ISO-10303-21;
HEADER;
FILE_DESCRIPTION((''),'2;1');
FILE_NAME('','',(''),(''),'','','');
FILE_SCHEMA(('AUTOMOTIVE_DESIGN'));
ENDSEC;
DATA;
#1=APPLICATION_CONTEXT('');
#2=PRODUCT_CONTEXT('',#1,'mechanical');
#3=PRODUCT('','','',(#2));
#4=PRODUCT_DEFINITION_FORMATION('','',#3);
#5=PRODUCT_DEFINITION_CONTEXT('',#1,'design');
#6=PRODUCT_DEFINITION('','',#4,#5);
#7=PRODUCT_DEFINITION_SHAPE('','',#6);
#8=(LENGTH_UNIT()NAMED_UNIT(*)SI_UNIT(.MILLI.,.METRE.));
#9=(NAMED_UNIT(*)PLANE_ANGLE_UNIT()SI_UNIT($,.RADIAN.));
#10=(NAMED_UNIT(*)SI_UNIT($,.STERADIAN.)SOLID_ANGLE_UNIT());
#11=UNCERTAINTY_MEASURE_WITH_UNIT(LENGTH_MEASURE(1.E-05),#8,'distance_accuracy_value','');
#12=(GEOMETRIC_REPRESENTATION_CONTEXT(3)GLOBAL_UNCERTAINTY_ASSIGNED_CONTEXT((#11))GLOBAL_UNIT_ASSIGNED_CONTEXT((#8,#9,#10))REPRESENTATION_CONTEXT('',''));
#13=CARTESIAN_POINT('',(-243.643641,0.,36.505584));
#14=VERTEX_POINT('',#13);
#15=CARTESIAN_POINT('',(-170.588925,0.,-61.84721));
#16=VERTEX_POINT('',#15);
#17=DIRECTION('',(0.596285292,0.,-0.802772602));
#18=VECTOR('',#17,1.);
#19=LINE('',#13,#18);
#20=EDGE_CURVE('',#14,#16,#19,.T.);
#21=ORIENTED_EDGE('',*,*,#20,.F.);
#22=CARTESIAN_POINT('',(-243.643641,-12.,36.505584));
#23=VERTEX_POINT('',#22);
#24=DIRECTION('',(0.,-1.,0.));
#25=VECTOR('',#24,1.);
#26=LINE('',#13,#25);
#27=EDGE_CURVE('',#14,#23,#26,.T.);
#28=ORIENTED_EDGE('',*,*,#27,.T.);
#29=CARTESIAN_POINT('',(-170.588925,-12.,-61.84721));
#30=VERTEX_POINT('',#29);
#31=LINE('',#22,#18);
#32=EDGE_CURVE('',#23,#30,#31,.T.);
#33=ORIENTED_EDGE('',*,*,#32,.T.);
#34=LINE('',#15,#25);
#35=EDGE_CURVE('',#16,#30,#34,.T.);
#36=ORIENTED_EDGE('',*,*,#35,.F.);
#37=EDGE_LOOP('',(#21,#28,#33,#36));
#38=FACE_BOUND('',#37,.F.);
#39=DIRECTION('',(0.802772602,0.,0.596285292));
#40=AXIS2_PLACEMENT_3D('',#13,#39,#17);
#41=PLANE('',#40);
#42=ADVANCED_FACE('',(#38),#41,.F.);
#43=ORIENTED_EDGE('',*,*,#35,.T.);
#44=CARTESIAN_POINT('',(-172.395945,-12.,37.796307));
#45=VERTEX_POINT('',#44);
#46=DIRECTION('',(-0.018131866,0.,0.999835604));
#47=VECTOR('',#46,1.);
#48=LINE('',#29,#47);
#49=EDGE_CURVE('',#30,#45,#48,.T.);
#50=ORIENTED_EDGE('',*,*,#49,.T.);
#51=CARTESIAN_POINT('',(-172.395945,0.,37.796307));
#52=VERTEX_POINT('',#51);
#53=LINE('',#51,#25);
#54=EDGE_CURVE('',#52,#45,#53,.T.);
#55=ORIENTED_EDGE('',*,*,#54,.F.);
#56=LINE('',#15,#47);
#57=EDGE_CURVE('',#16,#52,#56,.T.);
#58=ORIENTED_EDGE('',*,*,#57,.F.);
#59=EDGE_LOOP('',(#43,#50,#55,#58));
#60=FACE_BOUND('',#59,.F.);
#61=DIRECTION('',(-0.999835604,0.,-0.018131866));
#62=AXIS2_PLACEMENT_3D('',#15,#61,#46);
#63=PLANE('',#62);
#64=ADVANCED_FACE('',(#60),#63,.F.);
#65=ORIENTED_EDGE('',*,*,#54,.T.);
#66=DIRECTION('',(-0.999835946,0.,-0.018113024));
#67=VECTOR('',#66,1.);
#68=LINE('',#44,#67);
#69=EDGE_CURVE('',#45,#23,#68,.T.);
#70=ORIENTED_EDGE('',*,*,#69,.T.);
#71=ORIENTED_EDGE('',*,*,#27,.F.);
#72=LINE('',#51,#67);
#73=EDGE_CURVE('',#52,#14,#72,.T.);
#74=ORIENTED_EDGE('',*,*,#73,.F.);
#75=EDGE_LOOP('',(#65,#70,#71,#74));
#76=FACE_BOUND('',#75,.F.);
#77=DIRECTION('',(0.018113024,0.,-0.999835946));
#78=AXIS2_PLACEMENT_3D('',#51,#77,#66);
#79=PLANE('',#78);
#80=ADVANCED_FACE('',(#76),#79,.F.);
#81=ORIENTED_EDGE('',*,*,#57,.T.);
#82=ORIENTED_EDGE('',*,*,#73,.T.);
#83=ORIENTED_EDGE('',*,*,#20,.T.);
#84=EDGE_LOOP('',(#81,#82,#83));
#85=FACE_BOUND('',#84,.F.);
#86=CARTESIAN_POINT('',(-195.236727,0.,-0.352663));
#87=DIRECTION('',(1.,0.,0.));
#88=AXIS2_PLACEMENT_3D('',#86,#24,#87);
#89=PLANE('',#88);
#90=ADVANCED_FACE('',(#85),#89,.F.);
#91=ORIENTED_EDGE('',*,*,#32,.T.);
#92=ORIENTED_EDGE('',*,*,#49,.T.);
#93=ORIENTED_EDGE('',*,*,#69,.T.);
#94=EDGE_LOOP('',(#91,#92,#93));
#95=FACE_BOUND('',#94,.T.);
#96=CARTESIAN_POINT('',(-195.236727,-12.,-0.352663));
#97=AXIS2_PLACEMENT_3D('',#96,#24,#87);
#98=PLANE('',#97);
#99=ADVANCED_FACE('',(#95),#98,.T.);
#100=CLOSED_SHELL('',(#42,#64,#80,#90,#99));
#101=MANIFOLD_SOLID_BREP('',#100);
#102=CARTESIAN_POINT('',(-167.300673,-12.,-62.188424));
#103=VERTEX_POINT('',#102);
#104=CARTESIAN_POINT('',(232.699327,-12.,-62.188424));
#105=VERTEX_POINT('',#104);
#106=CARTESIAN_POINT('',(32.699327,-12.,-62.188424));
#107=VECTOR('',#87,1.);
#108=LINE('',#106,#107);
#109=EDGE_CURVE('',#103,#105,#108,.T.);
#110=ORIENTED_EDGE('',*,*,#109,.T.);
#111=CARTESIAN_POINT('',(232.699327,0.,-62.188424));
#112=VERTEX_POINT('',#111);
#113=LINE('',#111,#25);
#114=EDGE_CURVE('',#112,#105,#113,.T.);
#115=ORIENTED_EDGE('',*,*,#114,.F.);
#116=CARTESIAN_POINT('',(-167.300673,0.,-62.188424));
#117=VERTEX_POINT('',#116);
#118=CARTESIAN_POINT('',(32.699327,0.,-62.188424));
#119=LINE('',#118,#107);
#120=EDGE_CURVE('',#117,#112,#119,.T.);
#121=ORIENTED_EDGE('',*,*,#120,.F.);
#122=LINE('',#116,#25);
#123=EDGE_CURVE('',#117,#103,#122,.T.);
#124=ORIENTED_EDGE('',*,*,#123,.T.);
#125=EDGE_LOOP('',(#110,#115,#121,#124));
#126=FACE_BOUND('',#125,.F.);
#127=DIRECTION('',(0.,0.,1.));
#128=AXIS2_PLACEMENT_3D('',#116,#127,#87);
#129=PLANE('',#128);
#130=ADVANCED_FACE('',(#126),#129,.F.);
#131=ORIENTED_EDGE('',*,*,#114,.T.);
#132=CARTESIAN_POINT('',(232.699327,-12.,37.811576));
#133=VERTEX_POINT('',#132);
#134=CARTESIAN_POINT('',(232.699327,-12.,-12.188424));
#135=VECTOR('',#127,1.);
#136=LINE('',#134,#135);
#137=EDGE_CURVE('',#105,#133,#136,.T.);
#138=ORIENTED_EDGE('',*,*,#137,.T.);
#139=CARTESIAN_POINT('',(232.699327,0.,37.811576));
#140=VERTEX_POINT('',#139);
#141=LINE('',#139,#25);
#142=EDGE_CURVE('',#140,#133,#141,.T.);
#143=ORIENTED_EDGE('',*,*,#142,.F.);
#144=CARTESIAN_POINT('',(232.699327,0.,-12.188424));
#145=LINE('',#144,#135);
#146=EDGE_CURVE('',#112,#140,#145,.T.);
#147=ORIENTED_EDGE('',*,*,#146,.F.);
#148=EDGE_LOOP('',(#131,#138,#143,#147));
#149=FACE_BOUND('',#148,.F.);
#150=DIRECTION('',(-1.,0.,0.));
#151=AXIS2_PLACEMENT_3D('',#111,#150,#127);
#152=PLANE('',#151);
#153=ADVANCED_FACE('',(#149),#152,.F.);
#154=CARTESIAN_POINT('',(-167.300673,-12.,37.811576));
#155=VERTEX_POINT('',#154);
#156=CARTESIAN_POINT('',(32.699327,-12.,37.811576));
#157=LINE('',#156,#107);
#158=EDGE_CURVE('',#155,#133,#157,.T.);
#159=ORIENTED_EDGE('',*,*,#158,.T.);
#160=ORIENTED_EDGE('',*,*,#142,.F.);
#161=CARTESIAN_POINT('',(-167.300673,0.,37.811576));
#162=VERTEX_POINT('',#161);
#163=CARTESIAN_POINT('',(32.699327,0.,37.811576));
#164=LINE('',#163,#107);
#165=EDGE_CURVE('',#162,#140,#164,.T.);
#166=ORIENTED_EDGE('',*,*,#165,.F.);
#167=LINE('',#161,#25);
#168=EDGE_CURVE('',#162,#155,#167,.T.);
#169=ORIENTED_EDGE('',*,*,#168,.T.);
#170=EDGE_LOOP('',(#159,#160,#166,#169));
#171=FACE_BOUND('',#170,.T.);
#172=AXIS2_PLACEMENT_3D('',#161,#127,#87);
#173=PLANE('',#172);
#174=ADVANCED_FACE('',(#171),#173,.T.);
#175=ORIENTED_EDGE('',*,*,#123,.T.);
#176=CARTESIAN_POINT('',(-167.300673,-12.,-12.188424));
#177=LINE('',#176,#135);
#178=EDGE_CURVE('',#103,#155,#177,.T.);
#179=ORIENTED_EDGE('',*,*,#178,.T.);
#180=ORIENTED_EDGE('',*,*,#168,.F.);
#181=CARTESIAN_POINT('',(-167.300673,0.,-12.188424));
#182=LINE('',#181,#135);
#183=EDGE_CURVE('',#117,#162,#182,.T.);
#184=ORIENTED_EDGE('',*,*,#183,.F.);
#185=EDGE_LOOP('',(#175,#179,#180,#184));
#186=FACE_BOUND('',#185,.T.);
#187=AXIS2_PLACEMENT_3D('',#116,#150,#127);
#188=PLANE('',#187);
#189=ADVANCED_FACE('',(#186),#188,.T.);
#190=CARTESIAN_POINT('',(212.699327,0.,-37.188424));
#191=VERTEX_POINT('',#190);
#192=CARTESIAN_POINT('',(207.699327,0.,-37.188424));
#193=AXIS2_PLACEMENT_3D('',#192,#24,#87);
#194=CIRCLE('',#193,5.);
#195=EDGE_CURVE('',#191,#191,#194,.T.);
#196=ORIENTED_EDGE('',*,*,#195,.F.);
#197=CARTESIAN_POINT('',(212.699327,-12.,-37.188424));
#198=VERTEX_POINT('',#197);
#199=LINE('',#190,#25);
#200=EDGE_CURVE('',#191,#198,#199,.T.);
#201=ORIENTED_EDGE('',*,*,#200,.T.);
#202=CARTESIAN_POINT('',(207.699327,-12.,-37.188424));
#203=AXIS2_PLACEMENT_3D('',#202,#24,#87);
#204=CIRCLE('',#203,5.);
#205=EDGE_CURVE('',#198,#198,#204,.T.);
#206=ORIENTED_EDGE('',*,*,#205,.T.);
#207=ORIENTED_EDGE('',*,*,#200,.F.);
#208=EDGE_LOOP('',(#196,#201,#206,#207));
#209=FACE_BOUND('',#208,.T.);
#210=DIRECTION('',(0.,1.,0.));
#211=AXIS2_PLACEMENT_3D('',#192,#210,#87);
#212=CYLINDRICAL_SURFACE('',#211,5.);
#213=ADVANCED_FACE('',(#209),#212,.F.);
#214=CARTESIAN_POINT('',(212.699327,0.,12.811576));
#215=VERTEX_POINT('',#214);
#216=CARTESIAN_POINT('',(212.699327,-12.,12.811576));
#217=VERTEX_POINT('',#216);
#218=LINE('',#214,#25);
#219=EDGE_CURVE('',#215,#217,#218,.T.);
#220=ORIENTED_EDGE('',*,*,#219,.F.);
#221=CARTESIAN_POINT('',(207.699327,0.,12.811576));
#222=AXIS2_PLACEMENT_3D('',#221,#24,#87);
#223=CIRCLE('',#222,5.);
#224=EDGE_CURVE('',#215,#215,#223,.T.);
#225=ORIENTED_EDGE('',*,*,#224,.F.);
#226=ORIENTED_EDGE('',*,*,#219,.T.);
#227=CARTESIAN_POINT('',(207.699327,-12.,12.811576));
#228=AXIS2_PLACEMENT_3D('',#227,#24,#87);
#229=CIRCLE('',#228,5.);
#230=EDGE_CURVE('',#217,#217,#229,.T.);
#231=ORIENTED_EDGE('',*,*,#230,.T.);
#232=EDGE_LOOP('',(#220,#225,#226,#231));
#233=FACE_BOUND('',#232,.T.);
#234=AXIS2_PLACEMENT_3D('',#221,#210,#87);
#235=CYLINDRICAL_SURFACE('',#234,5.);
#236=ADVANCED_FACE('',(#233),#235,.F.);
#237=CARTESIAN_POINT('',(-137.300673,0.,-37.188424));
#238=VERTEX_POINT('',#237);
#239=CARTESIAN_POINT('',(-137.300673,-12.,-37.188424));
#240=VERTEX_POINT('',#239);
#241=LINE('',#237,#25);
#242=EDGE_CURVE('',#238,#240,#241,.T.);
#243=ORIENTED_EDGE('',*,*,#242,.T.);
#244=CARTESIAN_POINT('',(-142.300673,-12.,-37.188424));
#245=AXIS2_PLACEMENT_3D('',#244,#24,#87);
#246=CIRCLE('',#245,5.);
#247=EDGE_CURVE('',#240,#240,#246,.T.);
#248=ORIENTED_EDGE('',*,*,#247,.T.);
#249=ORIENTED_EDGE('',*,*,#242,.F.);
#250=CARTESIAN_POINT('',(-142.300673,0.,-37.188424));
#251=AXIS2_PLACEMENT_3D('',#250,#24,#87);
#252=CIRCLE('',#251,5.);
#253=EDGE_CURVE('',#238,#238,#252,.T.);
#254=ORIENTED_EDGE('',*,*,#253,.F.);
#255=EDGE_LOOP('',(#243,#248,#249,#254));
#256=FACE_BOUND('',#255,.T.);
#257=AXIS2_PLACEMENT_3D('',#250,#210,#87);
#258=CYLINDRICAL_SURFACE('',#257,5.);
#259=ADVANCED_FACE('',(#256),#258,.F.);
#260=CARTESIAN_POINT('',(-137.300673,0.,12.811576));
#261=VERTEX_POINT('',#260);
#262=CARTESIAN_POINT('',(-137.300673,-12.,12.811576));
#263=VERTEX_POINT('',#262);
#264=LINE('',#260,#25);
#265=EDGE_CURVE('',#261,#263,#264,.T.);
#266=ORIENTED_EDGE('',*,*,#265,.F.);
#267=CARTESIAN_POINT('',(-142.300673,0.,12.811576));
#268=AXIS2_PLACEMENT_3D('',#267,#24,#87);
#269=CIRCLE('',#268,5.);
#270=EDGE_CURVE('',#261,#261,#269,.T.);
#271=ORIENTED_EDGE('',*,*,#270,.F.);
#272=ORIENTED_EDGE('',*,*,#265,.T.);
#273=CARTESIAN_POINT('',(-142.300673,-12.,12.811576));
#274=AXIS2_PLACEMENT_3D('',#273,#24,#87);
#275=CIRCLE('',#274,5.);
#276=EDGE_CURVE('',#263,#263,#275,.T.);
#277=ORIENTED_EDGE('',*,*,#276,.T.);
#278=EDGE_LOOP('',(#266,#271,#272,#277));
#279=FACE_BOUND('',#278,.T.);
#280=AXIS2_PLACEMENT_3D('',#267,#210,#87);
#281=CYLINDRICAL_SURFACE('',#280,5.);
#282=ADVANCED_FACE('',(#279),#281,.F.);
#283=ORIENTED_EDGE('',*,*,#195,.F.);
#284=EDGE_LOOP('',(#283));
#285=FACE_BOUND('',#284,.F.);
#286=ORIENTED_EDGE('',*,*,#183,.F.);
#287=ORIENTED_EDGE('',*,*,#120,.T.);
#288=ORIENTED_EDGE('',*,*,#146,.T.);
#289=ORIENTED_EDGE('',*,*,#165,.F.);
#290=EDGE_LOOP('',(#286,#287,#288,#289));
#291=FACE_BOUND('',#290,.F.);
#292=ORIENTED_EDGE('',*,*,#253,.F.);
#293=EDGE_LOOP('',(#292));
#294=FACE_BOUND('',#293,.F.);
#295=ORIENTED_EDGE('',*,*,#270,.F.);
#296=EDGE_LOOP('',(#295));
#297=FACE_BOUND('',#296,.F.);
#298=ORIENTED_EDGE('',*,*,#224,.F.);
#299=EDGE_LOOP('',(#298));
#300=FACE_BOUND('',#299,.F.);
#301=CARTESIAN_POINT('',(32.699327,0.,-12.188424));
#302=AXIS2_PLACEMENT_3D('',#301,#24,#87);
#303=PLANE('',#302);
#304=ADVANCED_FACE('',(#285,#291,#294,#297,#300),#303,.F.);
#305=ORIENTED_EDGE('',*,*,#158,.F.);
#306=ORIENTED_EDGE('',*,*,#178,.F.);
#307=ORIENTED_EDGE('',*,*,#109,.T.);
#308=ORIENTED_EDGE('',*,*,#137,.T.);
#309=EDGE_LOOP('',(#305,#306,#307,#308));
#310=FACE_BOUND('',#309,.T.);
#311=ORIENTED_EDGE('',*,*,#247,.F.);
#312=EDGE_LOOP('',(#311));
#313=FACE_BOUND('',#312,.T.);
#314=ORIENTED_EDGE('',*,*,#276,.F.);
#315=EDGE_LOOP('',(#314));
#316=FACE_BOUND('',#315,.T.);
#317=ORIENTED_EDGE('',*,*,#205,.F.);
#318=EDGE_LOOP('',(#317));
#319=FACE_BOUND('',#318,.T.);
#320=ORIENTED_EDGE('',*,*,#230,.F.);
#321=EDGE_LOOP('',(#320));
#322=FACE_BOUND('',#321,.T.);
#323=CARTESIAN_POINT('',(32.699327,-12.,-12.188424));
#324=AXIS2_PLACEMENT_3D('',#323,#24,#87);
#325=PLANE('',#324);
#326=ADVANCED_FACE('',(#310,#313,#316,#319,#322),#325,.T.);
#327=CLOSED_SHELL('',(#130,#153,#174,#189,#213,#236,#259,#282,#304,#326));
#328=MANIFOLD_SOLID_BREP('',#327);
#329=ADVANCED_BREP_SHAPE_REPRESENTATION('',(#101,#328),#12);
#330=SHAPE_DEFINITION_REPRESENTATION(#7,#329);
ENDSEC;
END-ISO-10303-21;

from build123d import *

# Parameters (mm, degrees)
F0_W     = 400
F0_H     = 100
F0_R     = 5
F1_DEPTH = 12
F3_DEPTH = 12


with BuildPart() as f1:
    # F0 (on Front) → F1 (new body)
    with BuildSketch(Plane.XZ):
        with Locations((32.699327, -12.188424)):
            Rectangle(F0_W, F0_H)
        with Locations((-142.300673, -37.188424)):
            Circle(F0_R, mode=Mode.SUBTRACT)
        with Locations((207.699327, -37.188424)):
            Circle(F0_R, mode=Mode.SUBTRACT)
        with Locations((-142.300673, 12.811576)):
            Circle(F0_R, mode=Mode.SUBTRACT)
        with Locations((207.699327, 12.811576)):
            Circle(F0_R, mode=Mode.SUBTRACT)
    extrude(amount=F1_DEPTH)


with BuildPart() as f3:
    # F2 (on Front) → F3 (new body)
    with BuildSketch(Plane.XZ):
        Polygon((-170.588925, -61.84721), (-172.395945, 37.796307), (-243.643641, 36.505584), align=None)
    extrude(amount=F3_DEPTH)


solid = Compound([f1.part, f3.part])
